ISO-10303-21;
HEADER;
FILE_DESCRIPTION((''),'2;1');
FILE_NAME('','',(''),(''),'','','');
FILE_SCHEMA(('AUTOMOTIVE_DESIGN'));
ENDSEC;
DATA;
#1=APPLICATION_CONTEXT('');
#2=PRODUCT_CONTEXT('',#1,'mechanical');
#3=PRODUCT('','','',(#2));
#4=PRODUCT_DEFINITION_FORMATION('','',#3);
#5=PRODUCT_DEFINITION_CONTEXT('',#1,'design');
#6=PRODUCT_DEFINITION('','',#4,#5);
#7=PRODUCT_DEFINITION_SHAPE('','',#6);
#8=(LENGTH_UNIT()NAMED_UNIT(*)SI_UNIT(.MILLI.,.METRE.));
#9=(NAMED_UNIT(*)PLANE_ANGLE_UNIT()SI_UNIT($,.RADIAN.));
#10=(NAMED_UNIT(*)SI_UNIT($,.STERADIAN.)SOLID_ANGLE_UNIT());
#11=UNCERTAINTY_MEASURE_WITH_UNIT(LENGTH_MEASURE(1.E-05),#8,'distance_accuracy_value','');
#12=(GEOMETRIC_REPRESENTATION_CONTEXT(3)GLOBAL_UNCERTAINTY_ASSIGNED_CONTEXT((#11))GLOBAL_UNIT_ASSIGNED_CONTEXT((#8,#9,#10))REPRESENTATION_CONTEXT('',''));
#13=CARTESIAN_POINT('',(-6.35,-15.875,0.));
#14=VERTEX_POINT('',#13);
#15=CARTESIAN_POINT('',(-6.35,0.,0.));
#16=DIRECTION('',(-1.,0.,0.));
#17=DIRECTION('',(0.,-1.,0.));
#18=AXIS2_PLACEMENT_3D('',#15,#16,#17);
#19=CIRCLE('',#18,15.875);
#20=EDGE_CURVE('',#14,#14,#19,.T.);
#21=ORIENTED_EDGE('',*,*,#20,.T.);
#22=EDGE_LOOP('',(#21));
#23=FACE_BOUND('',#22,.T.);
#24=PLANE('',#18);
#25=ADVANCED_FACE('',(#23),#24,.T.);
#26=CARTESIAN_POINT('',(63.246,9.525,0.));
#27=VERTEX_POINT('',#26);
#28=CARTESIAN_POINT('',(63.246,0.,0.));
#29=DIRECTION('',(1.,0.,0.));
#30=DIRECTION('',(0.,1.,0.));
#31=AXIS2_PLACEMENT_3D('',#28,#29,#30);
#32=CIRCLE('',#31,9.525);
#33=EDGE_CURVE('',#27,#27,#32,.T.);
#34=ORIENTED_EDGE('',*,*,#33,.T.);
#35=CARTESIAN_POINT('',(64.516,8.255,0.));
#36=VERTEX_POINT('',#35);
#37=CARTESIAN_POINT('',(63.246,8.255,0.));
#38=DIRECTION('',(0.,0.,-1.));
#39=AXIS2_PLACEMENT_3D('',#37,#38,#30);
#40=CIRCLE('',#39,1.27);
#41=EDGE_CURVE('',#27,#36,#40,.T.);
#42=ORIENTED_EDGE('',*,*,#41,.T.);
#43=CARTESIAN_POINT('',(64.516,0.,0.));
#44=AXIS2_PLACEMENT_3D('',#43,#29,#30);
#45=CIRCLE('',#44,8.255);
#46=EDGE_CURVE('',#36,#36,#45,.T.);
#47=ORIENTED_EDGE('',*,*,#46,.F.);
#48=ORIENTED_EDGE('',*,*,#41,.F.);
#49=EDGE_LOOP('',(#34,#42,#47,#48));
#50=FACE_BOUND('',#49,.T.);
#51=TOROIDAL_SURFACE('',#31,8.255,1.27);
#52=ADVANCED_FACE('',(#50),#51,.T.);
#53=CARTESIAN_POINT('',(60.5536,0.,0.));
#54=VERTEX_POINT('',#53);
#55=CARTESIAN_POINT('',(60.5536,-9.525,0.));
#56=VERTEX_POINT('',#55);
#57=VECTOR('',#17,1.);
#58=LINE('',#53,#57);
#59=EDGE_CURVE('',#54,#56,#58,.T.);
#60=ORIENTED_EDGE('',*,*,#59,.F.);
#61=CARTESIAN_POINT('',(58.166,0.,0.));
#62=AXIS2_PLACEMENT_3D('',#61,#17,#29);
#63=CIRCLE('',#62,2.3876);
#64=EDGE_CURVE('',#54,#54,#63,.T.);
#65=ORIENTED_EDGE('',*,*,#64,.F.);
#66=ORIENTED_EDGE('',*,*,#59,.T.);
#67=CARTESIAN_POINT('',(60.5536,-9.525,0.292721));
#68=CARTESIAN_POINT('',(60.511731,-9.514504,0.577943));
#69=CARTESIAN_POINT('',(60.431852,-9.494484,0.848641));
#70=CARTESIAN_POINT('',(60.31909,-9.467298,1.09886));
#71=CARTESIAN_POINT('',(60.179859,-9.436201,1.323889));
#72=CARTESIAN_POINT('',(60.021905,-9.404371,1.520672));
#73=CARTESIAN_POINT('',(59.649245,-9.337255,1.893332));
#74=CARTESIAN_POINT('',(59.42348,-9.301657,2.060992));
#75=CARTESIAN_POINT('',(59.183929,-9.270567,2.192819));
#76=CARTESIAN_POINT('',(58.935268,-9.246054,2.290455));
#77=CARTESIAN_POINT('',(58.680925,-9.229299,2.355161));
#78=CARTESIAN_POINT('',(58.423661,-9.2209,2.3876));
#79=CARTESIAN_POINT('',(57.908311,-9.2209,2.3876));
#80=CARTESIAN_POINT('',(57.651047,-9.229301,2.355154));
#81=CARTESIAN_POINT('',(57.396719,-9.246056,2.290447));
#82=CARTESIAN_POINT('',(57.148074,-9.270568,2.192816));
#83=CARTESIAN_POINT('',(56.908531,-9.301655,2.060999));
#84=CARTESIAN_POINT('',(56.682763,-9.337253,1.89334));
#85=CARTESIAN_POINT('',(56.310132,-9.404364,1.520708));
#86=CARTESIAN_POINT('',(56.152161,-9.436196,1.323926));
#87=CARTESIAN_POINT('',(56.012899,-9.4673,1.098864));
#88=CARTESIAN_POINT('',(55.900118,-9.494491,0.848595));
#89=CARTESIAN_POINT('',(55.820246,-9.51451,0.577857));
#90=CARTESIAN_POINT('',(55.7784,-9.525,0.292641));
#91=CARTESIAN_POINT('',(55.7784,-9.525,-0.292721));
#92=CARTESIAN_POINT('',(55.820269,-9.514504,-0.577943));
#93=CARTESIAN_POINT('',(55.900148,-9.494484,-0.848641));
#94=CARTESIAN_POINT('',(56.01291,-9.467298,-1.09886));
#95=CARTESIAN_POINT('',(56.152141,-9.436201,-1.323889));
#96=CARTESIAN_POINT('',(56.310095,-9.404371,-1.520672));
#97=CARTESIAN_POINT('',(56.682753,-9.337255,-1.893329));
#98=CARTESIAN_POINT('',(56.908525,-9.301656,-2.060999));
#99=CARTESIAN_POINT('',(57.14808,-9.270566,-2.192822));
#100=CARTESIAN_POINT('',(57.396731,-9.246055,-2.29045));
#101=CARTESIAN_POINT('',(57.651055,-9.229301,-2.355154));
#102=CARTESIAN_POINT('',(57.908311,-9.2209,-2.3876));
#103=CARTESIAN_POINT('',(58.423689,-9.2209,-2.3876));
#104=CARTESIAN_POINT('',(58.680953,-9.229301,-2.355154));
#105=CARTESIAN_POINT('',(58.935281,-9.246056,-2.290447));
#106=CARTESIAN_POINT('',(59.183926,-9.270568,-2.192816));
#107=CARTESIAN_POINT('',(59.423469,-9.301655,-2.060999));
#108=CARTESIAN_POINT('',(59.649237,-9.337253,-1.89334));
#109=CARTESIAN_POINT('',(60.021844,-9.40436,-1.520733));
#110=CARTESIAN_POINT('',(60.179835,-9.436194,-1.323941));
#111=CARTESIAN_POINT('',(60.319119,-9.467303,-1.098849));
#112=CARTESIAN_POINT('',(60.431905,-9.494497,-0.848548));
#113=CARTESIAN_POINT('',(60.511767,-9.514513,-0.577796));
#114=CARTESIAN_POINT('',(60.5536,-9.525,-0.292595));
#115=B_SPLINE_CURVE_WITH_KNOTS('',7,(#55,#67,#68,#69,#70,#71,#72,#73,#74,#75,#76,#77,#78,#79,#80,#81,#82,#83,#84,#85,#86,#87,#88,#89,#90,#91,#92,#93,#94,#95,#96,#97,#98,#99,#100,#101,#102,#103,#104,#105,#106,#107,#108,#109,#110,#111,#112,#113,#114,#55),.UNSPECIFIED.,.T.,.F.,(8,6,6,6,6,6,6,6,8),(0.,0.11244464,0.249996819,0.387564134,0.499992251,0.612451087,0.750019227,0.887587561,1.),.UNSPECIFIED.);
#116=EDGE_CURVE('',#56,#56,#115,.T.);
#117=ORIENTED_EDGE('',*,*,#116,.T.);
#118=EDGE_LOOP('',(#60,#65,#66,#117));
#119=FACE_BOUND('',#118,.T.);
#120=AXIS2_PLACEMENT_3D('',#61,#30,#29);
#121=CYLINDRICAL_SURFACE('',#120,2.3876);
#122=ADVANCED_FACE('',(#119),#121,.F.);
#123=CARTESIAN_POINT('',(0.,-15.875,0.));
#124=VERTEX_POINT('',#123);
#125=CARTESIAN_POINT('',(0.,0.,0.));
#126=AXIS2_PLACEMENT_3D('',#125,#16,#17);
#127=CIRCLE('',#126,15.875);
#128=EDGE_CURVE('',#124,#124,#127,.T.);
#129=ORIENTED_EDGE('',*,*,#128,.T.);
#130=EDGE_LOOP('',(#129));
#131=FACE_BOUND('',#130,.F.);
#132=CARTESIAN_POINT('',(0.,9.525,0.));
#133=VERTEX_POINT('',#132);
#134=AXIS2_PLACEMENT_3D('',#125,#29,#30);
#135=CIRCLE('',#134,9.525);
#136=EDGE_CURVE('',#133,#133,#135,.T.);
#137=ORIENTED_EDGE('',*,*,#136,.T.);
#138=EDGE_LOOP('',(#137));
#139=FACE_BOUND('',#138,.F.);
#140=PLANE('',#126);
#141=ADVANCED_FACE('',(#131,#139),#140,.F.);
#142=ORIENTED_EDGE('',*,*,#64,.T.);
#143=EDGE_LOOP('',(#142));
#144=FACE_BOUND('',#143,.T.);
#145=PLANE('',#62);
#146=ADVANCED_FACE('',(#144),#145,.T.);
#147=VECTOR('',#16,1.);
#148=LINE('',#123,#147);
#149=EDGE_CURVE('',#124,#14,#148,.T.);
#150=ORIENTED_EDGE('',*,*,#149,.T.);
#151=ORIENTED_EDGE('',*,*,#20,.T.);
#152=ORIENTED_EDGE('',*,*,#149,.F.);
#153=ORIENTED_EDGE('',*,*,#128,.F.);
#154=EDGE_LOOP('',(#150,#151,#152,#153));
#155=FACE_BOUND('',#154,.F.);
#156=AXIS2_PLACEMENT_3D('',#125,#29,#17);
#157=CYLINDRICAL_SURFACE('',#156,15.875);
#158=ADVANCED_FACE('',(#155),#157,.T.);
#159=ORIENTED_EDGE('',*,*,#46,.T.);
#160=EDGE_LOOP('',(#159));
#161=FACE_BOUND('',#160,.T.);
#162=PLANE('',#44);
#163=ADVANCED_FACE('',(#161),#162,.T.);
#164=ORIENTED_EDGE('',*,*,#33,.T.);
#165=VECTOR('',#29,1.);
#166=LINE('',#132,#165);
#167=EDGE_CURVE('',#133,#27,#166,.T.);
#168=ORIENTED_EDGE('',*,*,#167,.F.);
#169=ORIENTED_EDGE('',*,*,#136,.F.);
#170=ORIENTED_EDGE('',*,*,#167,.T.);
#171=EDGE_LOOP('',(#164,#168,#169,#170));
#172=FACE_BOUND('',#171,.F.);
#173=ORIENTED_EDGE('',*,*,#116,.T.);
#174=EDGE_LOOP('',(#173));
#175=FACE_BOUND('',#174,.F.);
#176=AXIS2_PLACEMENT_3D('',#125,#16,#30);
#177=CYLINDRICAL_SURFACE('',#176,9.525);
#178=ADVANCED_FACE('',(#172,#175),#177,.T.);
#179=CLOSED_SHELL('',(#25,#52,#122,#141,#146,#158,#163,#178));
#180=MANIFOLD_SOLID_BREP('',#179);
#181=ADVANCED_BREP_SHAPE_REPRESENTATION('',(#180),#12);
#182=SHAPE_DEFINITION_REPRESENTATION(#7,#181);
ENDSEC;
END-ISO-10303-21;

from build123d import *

# Parameters (mm, degrees)
F0_R     = 9.525
F1_DEPTH = 64.516
F3_R     = 15.875
F4_DEPTH = 6.35
F2_R     = 2.3876
F5_DEPTH = 15.876
F6_R     = 1.27


with BuildPart() as f1:
    # F0 (on Right) → F1 (new body)
    with BuildSketch(Plane.YZ):
        Circle(F0_R)
    extrude(amount=F1_DEPTH)

    # F3 (on face) → F4 (join)
    with BuildSketch(Plane(origin=(0, 0, 0), x_dir=(0, -1, 0), z_dir=(-1, 0, 0))):
        Circle(F3_R)
    extrude(amount=F4_DEPTH)

    # F2 (on Front) → F5 (cut, through all)
    with BuildSketch(Plane.XZ):
        with Locations((58.166, 0)):
            Circle(F2_R)
    extrude(amount=F5_DEPTH, mode=Mode.SUBTRACT)

    # F6
    f6_edges = [f1.edges().sort_by_distance(p)[0] for p in [
        (64.516, -9.525, 0),
    ]]
    fillet(f6_edges, radius=F6_R)


solid = f1.part
